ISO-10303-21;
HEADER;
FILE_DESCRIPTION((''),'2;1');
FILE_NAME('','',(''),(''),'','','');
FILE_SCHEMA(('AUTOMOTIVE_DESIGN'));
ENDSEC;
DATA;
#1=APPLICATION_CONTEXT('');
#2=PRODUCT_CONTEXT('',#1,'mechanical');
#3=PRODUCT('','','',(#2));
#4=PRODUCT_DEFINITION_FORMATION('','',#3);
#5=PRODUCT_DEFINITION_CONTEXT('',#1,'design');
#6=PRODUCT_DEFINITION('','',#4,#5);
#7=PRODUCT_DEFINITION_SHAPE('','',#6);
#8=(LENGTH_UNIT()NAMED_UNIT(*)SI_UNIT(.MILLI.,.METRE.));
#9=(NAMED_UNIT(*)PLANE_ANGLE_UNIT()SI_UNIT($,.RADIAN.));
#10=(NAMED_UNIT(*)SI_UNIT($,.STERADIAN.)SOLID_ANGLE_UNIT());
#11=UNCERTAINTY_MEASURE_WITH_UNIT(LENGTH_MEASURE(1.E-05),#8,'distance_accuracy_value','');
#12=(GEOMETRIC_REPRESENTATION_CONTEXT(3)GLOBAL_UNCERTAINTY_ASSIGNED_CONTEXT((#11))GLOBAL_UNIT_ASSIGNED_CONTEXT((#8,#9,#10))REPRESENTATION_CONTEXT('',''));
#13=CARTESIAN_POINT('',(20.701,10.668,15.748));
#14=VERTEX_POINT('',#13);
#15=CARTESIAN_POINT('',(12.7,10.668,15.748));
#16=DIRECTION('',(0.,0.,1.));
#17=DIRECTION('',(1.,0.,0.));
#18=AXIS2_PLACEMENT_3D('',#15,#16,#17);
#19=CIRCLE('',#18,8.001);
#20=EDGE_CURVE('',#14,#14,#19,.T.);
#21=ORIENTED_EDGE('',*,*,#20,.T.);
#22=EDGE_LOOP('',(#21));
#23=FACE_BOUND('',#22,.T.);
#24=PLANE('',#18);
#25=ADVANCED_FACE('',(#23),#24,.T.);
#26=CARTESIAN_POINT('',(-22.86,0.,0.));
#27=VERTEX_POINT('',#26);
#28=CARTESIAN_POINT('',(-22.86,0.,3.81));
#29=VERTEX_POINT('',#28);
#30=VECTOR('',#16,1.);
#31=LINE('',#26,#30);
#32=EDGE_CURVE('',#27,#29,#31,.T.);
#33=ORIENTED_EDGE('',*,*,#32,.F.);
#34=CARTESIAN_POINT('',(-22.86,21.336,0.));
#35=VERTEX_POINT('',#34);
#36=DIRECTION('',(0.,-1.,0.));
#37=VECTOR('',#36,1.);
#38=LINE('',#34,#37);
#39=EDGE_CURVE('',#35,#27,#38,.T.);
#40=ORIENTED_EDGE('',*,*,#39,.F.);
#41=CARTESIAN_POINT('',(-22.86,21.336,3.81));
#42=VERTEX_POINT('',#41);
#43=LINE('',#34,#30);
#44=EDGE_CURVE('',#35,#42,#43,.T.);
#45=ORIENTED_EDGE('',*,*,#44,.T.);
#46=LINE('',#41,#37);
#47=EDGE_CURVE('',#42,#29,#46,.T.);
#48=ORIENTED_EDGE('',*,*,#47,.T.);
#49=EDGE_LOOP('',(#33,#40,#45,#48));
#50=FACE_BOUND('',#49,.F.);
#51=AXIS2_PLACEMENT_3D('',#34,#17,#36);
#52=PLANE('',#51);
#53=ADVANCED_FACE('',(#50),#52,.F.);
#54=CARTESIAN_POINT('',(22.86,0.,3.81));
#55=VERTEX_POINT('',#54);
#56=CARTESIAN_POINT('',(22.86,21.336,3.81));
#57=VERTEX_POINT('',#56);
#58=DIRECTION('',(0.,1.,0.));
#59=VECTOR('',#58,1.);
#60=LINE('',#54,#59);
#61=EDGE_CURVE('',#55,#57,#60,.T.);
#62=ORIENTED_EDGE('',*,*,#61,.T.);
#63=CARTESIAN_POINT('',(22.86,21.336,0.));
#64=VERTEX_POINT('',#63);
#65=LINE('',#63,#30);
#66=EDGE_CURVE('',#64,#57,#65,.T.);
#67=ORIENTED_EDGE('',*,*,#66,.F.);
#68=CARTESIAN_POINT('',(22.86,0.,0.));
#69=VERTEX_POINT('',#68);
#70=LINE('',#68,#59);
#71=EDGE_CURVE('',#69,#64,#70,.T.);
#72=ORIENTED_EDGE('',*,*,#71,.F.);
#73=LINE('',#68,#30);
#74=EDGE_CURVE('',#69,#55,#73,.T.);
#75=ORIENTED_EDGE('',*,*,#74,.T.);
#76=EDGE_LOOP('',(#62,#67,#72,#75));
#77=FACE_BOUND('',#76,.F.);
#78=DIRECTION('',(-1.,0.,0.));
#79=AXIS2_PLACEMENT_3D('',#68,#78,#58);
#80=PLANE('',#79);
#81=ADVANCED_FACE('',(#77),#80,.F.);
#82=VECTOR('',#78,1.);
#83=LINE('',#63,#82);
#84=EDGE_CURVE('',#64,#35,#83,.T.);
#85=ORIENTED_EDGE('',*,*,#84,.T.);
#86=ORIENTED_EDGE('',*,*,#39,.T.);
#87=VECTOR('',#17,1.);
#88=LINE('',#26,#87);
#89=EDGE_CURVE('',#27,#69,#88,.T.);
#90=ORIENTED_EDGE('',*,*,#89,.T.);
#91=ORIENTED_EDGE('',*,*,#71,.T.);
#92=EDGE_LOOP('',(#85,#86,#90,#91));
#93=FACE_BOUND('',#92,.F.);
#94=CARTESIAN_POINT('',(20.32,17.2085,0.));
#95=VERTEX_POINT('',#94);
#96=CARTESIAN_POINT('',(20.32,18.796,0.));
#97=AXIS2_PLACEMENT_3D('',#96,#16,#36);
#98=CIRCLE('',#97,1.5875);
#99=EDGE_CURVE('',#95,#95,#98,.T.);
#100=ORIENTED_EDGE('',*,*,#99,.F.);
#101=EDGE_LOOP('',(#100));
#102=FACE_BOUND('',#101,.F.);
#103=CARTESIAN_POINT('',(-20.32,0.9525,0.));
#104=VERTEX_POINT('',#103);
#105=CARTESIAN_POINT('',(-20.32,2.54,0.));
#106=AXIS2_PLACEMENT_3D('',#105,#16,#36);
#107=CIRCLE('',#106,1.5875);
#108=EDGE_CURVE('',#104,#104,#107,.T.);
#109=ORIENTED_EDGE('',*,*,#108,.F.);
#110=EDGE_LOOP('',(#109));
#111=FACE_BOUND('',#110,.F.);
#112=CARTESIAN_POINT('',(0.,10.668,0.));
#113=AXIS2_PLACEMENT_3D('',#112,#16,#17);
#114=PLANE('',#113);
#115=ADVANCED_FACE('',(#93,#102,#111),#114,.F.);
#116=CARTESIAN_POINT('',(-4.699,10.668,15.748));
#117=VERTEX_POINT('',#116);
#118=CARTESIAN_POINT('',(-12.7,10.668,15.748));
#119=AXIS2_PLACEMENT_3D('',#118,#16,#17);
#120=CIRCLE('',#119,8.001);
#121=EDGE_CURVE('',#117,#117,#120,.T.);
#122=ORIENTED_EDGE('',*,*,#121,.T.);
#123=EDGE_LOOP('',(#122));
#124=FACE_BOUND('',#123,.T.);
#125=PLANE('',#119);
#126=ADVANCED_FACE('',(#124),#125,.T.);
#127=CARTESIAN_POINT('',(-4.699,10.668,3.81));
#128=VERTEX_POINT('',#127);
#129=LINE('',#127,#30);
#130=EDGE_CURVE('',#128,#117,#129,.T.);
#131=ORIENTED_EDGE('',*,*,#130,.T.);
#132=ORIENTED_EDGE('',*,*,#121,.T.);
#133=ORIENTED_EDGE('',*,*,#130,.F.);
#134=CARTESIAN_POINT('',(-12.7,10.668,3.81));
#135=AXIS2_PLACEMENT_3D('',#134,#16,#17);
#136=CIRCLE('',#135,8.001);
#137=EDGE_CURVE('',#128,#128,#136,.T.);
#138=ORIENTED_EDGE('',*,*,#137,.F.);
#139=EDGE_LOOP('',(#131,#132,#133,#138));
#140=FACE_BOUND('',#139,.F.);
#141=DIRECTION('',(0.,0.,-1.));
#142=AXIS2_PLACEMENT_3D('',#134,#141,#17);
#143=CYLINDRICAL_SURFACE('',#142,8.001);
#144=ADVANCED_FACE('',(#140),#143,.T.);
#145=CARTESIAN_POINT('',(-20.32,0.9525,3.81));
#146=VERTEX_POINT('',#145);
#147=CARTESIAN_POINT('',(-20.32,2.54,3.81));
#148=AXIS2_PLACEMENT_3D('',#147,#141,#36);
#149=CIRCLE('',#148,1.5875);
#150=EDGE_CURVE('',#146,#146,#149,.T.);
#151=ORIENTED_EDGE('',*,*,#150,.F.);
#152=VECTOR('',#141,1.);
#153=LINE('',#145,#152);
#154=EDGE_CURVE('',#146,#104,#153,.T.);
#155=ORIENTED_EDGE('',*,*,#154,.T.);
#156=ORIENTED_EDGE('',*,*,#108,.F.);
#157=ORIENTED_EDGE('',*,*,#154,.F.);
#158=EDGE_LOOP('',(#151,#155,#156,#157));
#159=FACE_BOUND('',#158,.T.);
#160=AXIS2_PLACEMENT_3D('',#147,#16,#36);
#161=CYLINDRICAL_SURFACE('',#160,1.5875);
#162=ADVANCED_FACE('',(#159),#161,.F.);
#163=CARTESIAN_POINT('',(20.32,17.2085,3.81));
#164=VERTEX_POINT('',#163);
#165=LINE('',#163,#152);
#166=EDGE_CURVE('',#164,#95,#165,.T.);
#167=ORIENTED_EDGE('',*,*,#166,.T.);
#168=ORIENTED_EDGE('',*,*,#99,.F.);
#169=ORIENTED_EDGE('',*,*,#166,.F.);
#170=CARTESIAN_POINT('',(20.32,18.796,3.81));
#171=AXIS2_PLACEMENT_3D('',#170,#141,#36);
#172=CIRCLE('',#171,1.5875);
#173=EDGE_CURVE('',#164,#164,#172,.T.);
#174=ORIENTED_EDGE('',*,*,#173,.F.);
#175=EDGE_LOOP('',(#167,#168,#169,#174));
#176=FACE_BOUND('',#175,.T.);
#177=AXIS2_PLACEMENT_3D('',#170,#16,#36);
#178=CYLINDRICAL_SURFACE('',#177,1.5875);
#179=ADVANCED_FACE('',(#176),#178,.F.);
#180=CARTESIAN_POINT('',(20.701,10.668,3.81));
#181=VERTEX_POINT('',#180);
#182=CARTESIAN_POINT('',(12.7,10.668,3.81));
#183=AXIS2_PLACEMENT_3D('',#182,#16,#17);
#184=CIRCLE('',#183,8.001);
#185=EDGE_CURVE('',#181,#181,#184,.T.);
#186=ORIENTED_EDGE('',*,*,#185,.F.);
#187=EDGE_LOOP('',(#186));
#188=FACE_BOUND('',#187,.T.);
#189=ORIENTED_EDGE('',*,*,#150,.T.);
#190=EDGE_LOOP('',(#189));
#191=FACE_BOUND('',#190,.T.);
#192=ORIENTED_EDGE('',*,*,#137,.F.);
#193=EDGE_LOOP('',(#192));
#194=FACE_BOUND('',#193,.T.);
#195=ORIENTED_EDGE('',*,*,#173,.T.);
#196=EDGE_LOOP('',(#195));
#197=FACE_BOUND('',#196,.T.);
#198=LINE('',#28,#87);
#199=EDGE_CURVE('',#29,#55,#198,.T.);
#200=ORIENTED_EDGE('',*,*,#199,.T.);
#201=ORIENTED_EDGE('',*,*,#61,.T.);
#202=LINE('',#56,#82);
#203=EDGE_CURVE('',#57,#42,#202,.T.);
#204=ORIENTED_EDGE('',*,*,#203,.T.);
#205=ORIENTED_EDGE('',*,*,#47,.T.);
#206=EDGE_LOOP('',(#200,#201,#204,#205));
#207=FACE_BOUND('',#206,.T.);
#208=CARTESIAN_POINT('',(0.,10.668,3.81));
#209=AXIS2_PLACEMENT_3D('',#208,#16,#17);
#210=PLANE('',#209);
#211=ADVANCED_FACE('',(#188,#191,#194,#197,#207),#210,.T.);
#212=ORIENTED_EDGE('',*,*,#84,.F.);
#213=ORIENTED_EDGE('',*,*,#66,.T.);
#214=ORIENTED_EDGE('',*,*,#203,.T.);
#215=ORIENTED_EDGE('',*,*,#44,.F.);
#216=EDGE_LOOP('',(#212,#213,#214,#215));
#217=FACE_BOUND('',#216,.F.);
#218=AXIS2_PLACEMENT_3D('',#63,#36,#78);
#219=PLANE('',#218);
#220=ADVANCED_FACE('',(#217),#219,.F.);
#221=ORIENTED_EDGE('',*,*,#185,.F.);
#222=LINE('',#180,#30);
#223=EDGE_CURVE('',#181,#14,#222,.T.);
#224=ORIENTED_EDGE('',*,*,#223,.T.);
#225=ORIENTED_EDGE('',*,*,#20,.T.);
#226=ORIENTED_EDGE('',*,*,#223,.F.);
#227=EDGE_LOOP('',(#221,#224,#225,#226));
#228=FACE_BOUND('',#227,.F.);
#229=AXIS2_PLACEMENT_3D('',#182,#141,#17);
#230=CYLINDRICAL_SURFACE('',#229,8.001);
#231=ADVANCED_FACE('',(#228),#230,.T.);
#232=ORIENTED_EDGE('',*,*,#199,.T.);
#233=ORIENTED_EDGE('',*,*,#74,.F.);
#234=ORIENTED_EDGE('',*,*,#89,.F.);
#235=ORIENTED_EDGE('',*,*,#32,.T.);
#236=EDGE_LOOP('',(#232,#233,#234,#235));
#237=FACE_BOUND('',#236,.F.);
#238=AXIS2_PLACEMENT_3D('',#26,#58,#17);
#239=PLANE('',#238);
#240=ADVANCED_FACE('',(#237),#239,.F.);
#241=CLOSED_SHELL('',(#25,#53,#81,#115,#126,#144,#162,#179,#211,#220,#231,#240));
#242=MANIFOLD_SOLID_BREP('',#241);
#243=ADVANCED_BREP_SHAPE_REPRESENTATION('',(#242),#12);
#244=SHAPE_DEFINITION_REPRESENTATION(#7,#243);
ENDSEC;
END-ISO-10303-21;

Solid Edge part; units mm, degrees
sketch "Sketch1" plane through (0, 0, 0) normal (0, 0, 1) x (1, 0, 0)
  line L0 (-22.86, 0) -> (22.86, 0)
  line L1 (22.86, 0) -> (22.86, 21.336)
  line L2 (22.86, 21.336) -> (-22.86, 21.336)
  line L3 (-22.86, 21.336) -> (-22.86, 0)
  dimension "D1" = 45.72
  dimension "D2" = 21.336
extrude "Protrusion1" add sketch "Sketch1" along normal blind 3.81
sketch "Sketch2" plane through (0, 10.668, 3.81) normal (0, 0, 1) x (1, 0, 0)
  circle A0 centre (12.7, 0) radius 8.001
  circle A1 centre (-12.7, 0) radius 8.001
  dimension "D1" = 16.002
  dimension "D2" = 16.002
  dimension "D3" = 10.16
  dimension "D4" = 10.668
  dimension "D5" = 10.16
extrude "ExtrudedProtrusion_2" add sketch "Sketch2" along normal blind 11.938
hole "Hole_1" at (20.32, 18.796, 3.81) direction (0, 0, -1) diameter 3.175 end up to next
hole "Hole1" at (-20.32, 2.54, 3.81) direction (0, 0, -1) diameter 3.175 end up to next
